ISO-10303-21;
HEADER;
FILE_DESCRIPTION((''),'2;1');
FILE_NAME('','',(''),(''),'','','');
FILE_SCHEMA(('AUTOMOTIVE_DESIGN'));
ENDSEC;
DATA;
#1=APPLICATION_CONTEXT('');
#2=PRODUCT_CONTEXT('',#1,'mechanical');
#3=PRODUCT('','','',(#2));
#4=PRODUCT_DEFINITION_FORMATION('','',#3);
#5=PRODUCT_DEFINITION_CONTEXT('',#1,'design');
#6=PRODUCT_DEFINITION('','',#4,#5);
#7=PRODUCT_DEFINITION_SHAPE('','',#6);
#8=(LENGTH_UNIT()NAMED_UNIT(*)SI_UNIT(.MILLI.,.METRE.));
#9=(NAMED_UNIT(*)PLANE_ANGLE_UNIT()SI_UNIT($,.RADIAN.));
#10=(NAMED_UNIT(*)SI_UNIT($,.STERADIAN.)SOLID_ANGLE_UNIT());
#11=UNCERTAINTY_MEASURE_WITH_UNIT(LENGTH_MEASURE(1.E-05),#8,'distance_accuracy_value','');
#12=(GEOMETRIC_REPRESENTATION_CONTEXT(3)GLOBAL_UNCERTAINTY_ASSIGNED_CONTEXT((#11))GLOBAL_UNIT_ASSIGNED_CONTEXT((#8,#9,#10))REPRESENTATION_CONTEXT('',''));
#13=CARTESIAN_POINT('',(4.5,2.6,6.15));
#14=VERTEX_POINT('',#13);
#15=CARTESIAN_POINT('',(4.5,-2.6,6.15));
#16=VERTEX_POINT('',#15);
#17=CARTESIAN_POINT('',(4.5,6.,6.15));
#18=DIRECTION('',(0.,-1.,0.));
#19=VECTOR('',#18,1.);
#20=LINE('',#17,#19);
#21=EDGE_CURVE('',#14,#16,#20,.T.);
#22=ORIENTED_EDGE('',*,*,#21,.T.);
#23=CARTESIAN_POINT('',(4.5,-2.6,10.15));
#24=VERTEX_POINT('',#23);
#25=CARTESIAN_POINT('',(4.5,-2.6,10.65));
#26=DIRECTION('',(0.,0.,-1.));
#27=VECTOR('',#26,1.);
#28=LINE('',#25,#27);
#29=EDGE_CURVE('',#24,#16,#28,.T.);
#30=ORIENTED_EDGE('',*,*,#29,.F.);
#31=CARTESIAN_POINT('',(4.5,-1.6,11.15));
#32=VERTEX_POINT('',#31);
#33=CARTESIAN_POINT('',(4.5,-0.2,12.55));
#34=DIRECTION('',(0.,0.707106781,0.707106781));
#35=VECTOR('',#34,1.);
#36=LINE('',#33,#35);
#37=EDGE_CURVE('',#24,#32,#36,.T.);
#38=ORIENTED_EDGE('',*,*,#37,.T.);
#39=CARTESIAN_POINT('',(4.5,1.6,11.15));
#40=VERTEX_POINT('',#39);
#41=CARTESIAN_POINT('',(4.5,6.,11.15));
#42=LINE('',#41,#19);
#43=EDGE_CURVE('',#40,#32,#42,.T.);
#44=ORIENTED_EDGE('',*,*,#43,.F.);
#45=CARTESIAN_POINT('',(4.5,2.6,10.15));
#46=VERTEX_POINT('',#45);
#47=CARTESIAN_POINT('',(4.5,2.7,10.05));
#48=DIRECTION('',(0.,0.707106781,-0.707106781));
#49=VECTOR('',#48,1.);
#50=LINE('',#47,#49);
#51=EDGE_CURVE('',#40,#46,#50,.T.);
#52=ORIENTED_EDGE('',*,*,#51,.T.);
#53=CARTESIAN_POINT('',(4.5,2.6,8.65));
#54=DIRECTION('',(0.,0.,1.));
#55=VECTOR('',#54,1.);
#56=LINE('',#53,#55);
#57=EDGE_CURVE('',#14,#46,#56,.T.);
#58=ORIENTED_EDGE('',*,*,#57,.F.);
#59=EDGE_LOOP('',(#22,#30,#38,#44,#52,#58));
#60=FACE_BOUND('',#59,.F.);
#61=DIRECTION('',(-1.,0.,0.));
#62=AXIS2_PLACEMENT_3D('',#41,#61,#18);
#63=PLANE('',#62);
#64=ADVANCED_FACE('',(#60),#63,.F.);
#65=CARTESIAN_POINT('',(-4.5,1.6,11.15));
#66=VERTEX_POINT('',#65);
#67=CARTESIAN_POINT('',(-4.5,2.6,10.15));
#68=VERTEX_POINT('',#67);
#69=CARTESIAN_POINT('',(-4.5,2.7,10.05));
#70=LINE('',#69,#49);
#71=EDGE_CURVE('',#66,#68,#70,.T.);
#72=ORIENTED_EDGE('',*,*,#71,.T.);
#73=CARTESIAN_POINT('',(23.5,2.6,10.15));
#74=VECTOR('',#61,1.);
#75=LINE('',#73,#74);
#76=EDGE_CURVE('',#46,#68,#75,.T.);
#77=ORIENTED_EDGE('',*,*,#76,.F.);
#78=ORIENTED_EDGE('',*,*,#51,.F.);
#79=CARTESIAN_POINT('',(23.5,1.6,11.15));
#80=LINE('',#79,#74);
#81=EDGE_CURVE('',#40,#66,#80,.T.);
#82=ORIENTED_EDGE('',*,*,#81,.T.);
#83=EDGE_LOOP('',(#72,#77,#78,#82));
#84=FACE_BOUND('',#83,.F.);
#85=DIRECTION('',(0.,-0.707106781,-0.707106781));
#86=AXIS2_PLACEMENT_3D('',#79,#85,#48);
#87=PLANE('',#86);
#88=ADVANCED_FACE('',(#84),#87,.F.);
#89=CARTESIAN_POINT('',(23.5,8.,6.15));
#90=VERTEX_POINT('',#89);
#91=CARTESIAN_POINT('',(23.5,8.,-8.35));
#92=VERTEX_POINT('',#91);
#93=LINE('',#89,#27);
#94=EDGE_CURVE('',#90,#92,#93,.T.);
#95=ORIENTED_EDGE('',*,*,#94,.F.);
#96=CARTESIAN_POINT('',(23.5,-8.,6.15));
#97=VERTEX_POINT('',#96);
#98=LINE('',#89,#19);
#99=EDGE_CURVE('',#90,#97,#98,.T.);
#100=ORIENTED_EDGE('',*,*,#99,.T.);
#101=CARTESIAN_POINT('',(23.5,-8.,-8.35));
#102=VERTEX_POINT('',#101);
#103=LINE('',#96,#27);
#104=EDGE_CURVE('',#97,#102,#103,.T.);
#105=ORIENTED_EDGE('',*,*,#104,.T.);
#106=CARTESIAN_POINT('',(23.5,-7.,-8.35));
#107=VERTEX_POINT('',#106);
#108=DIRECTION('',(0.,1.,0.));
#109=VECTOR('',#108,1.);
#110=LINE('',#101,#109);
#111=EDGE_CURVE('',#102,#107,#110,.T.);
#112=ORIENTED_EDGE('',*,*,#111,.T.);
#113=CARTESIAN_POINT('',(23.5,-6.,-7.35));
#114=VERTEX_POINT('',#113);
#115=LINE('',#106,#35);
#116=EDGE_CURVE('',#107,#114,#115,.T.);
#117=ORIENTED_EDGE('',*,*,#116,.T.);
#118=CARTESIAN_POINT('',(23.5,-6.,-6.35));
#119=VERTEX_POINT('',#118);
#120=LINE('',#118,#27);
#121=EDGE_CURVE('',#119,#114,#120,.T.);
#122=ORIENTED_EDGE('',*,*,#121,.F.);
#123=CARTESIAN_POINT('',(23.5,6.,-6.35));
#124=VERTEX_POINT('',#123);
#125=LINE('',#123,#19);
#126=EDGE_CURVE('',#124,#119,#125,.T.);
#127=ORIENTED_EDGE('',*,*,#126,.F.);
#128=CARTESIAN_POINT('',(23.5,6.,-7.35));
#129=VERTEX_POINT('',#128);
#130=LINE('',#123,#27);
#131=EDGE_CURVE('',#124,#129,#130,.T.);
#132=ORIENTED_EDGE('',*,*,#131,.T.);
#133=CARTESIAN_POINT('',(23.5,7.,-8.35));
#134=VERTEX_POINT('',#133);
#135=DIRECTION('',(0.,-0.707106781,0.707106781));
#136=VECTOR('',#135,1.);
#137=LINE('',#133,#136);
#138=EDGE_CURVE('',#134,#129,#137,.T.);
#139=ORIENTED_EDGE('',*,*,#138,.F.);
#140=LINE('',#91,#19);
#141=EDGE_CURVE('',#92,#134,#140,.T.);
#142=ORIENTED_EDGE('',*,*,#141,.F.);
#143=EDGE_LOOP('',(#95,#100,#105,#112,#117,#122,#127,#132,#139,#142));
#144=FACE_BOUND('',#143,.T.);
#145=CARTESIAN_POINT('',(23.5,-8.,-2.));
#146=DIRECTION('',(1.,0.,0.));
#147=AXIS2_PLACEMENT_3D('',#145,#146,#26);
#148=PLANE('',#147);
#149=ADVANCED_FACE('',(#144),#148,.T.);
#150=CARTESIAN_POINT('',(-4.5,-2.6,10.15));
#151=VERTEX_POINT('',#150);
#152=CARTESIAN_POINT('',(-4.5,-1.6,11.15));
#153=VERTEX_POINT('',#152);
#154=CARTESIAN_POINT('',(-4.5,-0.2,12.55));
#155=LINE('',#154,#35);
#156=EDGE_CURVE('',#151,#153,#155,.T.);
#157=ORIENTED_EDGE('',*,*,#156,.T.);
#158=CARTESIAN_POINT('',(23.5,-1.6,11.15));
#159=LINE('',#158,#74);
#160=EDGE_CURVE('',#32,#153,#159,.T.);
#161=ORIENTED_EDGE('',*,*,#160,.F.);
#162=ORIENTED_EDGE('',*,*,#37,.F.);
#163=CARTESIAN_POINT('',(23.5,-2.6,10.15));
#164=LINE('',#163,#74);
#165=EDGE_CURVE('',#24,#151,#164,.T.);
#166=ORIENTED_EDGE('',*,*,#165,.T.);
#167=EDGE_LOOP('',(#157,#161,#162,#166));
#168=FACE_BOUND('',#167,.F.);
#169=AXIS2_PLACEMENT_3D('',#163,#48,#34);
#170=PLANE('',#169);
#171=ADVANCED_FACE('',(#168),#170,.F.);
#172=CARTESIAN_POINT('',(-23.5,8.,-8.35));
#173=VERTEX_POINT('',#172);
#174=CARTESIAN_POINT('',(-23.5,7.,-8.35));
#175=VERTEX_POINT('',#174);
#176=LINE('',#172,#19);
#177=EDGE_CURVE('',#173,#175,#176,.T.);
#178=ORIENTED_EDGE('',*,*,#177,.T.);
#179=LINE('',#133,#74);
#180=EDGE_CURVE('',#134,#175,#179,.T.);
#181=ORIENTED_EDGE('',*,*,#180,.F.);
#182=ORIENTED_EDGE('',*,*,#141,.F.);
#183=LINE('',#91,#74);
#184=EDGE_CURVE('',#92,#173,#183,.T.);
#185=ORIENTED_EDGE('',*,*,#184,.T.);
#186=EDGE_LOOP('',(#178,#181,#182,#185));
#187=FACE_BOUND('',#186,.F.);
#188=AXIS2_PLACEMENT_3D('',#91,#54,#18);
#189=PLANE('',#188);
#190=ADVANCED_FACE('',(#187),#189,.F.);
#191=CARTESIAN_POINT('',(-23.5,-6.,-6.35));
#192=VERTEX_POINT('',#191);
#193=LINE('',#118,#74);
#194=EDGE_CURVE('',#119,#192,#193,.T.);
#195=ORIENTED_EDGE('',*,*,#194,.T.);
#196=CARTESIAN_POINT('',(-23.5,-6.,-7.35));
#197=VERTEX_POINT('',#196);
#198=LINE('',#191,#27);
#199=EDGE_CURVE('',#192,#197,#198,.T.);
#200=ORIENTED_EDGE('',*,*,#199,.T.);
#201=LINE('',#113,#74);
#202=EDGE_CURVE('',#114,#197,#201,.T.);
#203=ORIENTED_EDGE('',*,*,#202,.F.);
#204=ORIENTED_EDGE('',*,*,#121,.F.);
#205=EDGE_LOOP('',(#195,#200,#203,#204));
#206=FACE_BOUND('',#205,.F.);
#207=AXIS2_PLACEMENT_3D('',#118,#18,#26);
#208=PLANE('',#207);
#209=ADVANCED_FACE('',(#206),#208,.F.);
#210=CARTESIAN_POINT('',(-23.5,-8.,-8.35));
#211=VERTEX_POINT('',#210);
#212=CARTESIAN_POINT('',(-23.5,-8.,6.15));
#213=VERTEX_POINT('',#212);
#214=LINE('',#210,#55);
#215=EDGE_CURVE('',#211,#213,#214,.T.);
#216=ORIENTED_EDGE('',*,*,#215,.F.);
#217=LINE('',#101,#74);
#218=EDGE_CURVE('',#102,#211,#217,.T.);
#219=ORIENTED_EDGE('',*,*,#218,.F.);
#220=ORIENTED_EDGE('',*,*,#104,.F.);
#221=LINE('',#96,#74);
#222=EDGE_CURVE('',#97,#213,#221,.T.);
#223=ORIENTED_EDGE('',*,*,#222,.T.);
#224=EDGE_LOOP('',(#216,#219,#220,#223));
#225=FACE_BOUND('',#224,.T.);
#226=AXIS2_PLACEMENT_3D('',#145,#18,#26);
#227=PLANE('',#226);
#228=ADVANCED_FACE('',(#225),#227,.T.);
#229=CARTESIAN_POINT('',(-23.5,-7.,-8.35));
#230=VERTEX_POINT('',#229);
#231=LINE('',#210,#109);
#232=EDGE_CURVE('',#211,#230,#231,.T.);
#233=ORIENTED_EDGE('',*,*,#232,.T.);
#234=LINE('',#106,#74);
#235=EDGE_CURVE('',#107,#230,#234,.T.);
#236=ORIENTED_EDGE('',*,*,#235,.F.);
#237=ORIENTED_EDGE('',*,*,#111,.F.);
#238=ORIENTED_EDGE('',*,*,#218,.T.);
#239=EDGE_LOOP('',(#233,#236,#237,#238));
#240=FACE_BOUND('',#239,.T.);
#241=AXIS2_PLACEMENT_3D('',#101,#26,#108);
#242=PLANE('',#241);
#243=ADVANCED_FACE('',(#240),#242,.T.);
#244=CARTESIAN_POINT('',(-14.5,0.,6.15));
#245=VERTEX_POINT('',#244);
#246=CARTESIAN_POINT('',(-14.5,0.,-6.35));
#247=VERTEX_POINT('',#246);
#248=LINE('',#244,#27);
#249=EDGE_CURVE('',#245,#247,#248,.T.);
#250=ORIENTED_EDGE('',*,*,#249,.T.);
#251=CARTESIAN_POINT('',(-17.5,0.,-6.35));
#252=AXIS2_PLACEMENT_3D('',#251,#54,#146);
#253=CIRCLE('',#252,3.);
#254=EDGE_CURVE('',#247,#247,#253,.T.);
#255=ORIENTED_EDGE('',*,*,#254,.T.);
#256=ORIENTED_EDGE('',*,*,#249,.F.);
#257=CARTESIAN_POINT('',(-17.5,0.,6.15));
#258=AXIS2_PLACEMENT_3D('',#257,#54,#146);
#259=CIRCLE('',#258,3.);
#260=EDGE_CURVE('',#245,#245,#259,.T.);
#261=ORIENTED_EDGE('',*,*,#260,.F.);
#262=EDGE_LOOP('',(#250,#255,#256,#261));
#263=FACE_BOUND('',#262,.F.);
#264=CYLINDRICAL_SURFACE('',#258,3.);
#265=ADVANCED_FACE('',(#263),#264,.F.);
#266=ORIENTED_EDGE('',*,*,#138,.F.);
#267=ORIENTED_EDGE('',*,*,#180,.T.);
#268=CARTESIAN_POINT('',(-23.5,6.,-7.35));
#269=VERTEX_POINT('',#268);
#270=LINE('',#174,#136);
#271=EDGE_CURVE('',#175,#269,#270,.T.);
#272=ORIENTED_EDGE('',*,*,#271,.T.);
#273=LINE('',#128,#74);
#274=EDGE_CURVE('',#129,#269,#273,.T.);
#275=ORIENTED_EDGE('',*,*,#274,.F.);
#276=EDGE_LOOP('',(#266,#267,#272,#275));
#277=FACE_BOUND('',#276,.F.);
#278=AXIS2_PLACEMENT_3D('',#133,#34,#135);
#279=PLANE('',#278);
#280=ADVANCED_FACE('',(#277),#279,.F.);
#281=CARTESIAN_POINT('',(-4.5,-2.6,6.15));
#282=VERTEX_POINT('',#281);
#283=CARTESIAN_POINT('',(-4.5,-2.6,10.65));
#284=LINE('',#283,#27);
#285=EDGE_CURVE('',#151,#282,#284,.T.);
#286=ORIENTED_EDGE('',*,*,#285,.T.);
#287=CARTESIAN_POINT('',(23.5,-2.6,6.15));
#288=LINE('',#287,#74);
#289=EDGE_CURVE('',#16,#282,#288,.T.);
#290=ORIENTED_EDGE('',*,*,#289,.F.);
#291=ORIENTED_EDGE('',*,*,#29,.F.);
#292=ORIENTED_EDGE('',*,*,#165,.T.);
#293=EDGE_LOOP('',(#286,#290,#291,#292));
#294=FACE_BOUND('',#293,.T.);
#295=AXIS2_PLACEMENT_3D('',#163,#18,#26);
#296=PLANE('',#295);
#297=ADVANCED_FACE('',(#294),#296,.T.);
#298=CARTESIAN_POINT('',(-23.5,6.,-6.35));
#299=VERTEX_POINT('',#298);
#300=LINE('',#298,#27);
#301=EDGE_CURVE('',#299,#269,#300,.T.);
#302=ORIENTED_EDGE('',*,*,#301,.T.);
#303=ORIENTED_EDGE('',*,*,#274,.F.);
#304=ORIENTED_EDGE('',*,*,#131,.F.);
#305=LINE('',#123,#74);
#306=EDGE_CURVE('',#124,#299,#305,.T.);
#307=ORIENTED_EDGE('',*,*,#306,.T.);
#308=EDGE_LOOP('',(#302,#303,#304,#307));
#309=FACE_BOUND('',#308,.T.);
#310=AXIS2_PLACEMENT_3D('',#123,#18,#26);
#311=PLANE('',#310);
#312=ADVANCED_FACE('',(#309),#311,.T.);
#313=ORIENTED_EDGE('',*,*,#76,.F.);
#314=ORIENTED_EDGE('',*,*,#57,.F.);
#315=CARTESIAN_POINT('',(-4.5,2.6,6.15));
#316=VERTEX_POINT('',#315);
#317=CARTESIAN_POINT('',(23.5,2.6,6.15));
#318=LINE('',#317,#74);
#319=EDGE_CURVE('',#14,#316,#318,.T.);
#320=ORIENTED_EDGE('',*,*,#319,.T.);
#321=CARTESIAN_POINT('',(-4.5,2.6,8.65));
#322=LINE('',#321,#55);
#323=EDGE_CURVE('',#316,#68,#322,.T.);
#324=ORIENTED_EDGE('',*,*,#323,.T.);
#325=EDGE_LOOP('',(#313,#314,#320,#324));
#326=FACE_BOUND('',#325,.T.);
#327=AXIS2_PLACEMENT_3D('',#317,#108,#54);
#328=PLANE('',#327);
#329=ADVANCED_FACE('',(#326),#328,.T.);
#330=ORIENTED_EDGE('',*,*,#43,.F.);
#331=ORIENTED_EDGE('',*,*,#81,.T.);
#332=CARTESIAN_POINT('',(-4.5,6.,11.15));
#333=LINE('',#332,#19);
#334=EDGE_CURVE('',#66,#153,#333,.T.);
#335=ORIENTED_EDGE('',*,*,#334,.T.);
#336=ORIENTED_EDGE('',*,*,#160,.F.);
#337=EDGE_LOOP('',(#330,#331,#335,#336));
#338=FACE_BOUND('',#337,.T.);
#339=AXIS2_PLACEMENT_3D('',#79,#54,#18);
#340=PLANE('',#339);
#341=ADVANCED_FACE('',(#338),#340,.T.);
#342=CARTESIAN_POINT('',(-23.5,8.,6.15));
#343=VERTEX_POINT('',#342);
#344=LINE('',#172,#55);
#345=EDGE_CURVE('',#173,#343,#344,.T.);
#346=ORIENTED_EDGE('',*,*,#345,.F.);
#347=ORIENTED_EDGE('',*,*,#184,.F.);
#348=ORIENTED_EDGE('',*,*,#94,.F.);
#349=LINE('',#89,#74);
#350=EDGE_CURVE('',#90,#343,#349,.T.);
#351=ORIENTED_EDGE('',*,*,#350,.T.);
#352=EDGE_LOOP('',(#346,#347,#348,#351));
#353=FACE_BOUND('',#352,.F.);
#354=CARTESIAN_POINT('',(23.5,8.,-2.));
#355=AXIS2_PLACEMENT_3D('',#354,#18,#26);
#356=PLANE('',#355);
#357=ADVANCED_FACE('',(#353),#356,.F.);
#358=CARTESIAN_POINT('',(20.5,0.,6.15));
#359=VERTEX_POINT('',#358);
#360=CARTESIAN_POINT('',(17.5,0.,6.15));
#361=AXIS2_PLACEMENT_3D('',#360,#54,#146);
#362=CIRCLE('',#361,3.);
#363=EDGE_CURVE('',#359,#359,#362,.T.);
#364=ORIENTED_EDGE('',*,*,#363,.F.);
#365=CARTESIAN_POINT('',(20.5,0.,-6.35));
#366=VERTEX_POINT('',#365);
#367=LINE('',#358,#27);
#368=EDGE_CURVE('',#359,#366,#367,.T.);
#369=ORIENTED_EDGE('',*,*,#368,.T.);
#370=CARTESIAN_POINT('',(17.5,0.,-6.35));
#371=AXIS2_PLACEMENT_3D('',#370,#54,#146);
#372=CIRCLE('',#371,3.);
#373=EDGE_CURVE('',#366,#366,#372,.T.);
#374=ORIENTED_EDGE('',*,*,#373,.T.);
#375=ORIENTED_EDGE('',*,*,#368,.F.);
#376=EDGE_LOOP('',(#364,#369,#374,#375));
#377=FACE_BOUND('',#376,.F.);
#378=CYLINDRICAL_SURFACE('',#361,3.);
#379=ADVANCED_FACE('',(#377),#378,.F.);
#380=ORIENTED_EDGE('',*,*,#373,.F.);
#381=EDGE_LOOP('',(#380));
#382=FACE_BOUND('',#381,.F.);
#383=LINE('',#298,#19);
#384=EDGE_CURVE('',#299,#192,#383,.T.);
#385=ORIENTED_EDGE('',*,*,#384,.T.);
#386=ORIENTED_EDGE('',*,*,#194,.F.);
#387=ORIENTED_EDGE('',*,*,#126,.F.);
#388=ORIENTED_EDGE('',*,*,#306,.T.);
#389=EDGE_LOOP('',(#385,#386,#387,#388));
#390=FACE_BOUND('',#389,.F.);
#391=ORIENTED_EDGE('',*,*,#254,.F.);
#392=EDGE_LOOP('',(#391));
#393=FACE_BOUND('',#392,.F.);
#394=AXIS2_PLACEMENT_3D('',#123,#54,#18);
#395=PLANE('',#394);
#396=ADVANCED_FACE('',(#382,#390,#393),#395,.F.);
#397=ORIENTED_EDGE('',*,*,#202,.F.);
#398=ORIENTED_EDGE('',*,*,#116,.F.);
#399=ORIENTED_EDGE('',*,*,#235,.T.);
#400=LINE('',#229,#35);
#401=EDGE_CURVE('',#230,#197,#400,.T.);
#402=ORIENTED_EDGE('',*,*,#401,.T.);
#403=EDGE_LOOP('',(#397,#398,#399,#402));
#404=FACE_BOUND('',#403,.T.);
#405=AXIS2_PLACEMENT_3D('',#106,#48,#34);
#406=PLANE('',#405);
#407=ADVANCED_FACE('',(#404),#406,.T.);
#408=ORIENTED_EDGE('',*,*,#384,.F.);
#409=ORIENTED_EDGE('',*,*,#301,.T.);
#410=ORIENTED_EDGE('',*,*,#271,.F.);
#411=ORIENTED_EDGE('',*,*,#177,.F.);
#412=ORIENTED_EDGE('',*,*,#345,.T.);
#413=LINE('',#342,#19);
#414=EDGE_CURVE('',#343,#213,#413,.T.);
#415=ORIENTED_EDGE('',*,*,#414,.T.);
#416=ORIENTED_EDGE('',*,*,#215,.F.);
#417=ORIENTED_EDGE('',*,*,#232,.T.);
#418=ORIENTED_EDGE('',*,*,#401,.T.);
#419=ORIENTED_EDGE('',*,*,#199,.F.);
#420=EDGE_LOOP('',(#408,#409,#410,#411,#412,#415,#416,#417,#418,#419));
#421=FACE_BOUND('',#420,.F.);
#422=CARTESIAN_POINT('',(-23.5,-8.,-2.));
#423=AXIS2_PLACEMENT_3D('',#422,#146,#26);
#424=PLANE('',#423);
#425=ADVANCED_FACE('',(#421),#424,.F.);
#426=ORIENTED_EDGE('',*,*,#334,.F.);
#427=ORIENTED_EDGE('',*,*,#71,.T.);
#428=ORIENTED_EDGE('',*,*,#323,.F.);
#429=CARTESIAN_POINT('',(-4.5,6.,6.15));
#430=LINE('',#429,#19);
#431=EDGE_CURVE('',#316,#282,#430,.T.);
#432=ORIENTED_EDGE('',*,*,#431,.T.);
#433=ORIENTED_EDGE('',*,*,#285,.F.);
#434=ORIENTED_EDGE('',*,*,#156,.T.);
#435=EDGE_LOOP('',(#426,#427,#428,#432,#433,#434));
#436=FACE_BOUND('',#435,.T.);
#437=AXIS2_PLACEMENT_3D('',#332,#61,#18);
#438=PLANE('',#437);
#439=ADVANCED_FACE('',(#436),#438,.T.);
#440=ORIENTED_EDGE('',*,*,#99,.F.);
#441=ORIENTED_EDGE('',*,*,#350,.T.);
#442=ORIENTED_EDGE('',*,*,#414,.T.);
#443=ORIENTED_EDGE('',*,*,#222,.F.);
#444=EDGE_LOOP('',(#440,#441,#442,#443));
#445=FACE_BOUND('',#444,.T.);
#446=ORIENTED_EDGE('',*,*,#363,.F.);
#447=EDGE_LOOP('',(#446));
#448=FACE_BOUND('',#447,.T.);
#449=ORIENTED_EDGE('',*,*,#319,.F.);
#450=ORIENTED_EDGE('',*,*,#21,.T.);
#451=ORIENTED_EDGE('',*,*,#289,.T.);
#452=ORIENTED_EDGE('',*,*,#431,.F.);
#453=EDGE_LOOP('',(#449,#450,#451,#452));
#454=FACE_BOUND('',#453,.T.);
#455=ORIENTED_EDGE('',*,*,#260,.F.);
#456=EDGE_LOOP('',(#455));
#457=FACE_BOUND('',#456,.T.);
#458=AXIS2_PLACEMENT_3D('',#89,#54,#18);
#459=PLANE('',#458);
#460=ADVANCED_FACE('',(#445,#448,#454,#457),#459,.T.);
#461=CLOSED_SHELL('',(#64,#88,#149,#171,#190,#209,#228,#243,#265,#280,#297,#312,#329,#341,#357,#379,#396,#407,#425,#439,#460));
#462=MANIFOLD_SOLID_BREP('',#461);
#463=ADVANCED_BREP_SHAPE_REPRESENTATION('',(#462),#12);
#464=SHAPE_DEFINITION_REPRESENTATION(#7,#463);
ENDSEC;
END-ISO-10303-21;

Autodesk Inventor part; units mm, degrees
ref_plane "YZ Plane" through (0, 0, 0) normal (1, 0, 0) x (0, 1, 0)
ref_plane "XZ Plane" through (0, 0, 0) normal (0, 1, 0) x (-1, 0, 0)
ref_plane "XY Plane" through (0, 0, 0) normal (0, 0, 1) x (1, 0, 0)
ref_plane "작업 평면1" through (23.5, -8, -2) normal (1, 0, 0) x (0, 0, -1)
sketch "스케치1" plane through (23.5, -8, -2) normal (1, 0, 0) x (0, 0, -1)
  line L0 (0, 16) -> (-8.15, 16) projected
  line L1 (-8.15, 16) -> (-8.15, 10.6) projected
  line L2 (-8.15, 10.6) -> (-12.15, 10.6) projected
  line L3 (-13.15, 9.6) -> (-12.15, 10.6) projected
  line L4 (-13.15, 9.6) -> (-13.15, 6.4) projected
  line L5 (-12.15, 5.4) -> (-13.15, 6.4) projected
  line L6 (-12.15, 5.4) -> (-8.15, 5.4) projected
  line L7 (-8.15, 5.4) -> (-8.15, 0) projected
  line L8 (-8.15, 0) -> (0, 0) projected
  line L9 (0, 16) -> (6.35, 16)
  line L10 (6.35, 16) -> (6.35, 15)
  line L11 (6.35, 15) -> (5.35, 14)
  line L12 (4.35, 14) -> (4.35, 2)
  line L13 (4.35, 14) -> (5.35, 14)
  line L14 (0, 0) -> (6.35, 0)
  line L15 (6.35, 0) -> (6.35, 1)
  line L16 (6.35, 1) -> (5.35, 2)
  line L17 (4.35, 2) -> (5.35, 2)
  line L18 (0, 16) -> (-8.15, 16)
  line L19 (-8.15, 10.6) -> (-12.15, 10.6) projected
  line L20 (-8.15, 10.6) -> (-12.15, 10.6)
  line L21 (-12.15, 10.6) -> (-13.15, 9.6)
  line L22 (-13.15, 6.4) -> (-12.15, 5.4)
  point P0 (-2, 8)
  dimension "d1" = 6.35
sketch "스케치2" plane through (-23.5, 8, 6.15) normal (0, 0, 1) x (1, 0, 0)
  arc A0 (7.9209, -9.6) -> (7.9209, -6.4) centre (6, -8) ccw projected
  line L0 (39.0791, -9.6) -> (7.9209, -9.6) projected
  circle A1 centre (6, -8) radius 2.5
  circle A2 centre (41, -8) radius 2.5 projected
  circle A3 centre (41, -8) radius 2.5
  point P0 (23.5, -8)
  point P1 (7.9209, -6.4)
extrude "돌출1" add sketch "스케치1" against normal up to surface (47 mm away)
extrude "돌출2" cut sketch "스케치2" along normal mid plane 50
sketch "스케치3" plane through (-15.5791, 1.6, 11.15) normal (0, 0, 1) x (1, 0, 0)
  line L0 (15.5791, -14.4593) -> (15.5791, 15.5737)
  line L1 (-7.9209, 4.4) -> (-7.9209, -7.6) projected
  line L2 (-7.9209, 4.4) -> (11.0791, 4.4)
  line L3 (11.0791, 4.4) -> (11.0791, -7.6)
  line L4 (11.0791, -7.6) -> (-7.9209, -7.6)
  line L5 (-7.9209, -7.6) -> (-7.9209, 4.4)
  line L6 (39.0791, 4.4) -> (39.0791, -7.6)
  line L7 (39.0791, 4.4) -> (20.0791, 4.4)
  line L8 (20.0791, 4.4) -> (20.0791, -7.6)
  line L9 (20.0791, -7.6) -> (39.0791, -7.6)
  line L10 (39.0791, -7.6) -> (39.0791, 4.4)
  point P0 (15.5791, -1.6)
  dimension "d9" = 19
extrude "돌출3" cut sketch "스케치3" against normal up to surface (5 mm away)
sketch "스케치4" plane through (-23.5, 8, 6.15) normal (0, 0, 1) x (1, 0, 0)
  circle A0 centre (6, -8) radius 2.5 projected
  circle A1 centre (6, -8) radius 3
  circle A2 centre (41, -8) radius 2.5 projected
  circle A3 centre (41, -8) radius 3
  point P0 (23.5, -8)
  dimension "d10" = 6
  dimension "d11" = 6
extrude "돌출4" cut sketch "스케치4" against normal up to surface (12.5 mm away) contours A0 | A1 | A2 | A3
properties part number "Bearing Spacer"
